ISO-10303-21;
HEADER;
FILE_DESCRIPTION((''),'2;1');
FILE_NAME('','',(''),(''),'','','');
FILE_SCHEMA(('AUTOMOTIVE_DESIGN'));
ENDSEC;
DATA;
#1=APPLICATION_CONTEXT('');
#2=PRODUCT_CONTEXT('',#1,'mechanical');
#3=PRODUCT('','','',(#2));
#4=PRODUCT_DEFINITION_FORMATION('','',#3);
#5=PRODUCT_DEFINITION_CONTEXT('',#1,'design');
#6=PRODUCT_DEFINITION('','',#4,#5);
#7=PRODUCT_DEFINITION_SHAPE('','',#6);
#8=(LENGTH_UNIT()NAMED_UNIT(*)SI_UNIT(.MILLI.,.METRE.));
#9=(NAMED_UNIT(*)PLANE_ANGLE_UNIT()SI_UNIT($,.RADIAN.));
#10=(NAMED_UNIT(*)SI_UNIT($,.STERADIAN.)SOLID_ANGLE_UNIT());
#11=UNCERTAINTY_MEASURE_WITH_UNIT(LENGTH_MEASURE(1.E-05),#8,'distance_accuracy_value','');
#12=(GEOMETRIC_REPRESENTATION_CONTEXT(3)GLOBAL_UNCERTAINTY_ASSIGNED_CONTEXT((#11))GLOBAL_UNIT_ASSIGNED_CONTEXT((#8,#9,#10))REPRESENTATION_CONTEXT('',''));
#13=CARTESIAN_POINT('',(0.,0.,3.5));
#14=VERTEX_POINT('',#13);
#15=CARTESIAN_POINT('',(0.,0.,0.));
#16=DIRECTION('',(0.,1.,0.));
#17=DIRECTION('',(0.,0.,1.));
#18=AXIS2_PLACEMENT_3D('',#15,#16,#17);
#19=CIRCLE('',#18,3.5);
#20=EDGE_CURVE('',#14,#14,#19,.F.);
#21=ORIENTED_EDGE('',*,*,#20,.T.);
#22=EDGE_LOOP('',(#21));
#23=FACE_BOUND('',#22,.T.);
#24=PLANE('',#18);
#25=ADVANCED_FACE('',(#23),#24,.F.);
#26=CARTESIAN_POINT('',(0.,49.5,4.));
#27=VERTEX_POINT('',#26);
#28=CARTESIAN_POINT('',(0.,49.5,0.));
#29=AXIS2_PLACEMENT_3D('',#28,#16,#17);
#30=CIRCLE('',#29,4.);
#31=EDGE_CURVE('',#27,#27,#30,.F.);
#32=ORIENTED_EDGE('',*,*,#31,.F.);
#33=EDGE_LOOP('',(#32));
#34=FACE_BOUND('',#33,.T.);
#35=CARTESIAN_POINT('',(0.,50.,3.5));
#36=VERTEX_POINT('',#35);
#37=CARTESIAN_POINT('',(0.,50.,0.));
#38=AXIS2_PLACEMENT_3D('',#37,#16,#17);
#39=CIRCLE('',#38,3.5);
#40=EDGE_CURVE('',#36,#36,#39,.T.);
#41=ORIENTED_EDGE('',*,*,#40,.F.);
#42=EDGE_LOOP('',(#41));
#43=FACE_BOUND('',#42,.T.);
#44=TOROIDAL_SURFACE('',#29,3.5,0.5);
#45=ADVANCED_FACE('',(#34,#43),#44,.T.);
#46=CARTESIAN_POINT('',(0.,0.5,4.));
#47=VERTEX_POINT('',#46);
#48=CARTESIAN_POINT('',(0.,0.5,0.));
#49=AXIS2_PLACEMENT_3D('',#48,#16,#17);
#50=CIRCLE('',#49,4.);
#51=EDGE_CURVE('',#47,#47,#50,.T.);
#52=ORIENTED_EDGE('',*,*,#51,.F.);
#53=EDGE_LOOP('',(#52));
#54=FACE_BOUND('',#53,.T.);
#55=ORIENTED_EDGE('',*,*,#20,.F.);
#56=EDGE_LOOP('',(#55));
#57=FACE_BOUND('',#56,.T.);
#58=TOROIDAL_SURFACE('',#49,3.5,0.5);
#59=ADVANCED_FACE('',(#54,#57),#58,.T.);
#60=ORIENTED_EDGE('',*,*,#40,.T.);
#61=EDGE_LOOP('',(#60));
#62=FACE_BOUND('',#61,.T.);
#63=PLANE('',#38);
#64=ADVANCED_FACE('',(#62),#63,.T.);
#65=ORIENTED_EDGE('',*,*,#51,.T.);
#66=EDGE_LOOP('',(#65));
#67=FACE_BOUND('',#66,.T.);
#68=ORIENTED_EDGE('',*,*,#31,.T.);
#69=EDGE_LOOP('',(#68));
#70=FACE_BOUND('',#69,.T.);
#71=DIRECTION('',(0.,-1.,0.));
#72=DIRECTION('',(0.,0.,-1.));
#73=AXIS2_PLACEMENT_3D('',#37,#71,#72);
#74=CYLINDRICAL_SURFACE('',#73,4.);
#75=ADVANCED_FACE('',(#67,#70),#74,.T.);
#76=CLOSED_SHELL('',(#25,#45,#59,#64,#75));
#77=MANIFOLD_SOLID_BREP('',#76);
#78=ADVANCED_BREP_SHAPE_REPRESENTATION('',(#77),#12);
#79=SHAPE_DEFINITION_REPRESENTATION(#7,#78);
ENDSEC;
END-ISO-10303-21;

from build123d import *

# Parameters (mm, degrees)
SKETCH1_R           = 4
BOSS_EXTRUDE1_DEPTH = 50
FILLET1_R           = 0.5


with BuildPart() as part:
    # Sketch1 → Boss-Extrude1 (new body)
    with BuildSketch(Plane(origin=(0, 0, 0), x_dir=(1, 0, 0), z_dir=(0, 1, 0))):
        Circle(SKETCH1_R)
    extrude(amount=BOSS_EXTRUDE1_DEPTH)

    # Fillet1
    fillet1_edges = [part.edges().sort_by_distance(p)[0] for p in [
        (-4, 0, 0),
        (-4, 50, 0),
    ]]
    fillet(fillet1_edges, radius=FILLET1_R)


solid = part.part
